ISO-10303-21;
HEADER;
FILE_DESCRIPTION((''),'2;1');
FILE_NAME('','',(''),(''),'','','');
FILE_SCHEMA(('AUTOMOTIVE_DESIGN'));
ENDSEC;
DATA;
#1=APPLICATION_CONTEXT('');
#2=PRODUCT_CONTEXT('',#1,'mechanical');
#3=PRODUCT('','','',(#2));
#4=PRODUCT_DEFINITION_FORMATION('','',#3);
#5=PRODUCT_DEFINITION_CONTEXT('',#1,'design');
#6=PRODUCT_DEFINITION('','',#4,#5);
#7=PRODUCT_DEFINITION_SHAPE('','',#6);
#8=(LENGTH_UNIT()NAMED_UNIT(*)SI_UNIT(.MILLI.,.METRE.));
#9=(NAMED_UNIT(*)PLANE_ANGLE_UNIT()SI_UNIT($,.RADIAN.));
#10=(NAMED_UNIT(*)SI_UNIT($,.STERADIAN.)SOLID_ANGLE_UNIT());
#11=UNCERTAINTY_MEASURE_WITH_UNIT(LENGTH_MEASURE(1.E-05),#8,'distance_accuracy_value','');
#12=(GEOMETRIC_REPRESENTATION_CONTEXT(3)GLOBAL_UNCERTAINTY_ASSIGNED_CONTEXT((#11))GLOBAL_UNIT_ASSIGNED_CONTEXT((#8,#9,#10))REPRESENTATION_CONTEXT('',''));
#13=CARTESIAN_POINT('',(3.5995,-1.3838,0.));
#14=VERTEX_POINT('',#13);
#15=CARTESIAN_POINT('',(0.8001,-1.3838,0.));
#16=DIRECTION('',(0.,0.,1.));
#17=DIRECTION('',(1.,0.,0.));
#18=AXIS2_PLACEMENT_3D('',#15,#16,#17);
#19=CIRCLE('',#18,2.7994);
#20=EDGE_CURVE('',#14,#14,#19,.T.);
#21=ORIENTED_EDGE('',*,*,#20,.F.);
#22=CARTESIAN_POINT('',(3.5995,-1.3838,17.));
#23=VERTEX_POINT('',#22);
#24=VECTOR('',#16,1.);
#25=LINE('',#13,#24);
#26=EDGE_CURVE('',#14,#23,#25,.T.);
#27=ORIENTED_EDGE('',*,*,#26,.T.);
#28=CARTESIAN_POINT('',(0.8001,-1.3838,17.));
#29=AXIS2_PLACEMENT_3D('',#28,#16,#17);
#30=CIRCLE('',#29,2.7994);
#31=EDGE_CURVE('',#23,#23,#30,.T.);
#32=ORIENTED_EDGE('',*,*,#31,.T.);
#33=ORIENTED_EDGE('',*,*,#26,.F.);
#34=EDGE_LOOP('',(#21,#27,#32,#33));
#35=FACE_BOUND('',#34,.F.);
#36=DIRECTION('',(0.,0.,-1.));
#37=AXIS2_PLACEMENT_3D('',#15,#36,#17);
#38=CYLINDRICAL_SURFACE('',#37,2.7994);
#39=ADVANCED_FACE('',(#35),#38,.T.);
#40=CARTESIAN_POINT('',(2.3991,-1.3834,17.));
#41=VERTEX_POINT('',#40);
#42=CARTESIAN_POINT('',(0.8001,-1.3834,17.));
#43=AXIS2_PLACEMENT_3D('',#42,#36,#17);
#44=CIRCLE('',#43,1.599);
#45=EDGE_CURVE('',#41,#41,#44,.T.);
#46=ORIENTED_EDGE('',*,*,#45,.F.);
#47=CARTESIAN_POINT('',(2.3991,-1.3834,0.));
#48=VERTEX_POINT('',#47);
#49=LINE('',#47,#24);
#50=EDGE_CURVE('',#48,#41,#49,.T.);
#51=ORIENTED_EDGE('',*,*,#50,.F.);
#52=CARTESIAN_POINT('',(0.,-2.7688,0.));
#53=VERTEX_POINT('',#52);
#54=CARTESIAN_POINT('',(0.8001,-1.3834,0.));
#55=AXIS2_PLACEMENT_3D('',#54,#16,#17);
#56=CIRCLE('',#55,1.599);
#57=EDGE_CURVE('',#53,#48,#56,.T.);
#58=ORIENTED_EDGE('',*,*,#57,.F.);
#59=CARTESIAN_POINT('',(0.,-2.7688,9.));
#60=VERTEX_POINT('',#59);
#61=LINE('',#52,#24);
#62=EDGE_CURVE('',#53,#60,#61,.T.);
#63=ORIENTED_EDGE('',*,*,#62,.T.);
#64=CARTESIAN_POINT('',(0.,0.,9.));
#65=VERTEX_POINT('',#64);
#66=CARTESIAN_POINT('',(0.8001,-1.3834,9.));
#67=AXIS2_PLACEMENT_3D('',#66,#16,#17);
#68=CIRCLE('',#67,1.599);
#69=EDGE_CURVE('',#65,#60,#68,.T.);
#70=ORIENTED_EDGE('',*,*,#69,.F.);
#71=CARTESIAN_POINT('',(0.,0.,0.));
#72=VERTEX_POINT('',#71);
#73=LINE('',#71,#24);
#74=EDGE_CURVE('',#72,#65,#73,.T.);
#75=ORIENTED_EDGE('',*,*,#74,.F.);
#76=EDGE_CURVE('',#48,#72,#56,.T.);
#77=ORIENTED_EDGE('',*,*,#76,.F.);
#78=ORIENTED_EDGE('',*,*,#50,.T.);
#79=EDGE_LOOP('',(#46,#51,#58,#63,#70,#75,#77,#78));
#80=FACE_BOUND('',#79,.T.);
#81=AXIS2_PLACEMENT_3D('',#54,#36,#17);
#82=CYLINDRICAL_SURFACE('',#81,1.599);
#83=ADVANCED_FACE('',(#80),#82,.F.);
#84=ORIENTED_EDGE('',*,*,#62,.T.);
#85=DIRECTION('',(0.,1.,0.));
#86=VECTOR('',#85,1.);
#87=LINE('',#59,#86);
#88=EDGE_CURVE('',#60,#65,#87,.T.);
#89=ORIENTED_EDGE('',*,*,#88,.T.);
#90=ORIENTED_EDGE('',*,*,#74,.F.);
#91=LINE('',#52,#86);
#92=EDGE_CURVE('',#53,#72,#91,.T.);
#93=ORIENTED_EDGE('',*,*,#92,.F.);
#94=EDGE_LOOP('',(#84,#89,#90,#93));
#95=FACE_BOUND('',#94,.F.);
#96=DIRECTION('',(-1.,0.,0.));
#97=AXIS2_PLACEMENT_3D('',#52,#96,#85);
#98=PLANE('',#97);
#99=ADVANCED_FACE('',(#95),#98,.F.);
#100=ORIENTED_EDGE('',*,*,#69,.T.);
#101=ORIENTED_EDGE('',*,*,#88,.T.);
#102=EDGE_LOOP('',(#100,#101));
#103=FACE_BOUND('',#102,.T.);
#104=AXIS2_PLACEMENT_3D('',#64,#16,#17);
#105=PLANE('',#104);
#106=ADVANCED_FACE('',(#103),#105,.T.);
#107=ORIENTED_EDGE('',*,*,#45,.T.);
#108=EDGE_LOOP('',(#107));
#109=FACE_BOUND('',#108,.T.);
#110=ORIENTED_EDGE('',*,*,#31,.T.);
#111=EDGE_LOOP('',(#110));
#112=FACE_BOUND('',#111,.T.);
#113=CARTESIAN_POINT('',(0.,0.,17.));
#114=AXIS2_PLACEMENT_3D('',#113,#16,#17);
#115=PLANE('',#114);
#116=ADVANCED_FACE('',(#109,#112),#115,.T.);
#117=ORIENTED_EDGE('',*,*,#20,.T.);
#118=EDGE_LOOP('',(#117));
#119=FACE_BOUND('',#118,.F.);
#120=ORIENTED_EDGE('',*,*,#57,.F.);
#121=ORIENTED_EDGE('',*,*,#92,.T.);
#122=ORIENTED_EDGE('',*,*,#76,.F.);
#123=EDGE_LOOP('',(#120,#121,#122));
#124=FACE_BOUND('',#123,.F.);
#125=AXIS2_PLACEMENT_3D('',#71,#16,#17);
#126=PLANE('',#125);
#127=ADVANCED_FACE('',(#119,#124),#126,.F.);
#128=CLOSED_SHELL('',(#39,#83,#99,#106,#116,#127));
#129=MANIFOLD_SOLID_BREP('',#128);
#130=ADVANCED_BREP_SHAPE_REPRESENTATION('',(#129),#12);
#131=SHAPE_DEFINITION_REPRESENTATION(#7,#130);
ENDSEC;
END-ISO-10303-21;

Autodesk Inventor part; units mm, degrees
ref_plane "YZ Plane" through (0, 0, 0) normal (1, 0, 0) x (0, 1, 0)
ref_plane "XZ Plane" through (0, 0, 0) normal (0, 1, 0) x (-1, 0, 0)
ref_plane "XY Plane" through (0, 0, 0) normal (0, 0, 1) x (1, 0, 0)
sketch "Szkic1" plane through (0, 0, 0) normal (0, 0, 1) x (1, 0, 0)
  circle A0 centre (0.8001, -1.3838) radius 2.7994
  circle A1 centre (0.8001, -1.3834) radius 1.599
  line L0 (0, -2.7688) -> (0, 0)
  line L1 (0, 0.313) -> (0, -3.3164)
  point P0 (0.8, -1.3844)
  point P1 (0, 0.0011)
  point P2 (0, -2.7679)
extrude "Wyciągnięcie proste1" add sketch "Szkic1" along normal blind 17
extrude "Wyciągnięcie proste2" add sketch "Szkic1" along normal blind 9 contours L0 A1 picked at (-0.3334, -1.4921)
properties part number "ShaftToScrewCoupler"
